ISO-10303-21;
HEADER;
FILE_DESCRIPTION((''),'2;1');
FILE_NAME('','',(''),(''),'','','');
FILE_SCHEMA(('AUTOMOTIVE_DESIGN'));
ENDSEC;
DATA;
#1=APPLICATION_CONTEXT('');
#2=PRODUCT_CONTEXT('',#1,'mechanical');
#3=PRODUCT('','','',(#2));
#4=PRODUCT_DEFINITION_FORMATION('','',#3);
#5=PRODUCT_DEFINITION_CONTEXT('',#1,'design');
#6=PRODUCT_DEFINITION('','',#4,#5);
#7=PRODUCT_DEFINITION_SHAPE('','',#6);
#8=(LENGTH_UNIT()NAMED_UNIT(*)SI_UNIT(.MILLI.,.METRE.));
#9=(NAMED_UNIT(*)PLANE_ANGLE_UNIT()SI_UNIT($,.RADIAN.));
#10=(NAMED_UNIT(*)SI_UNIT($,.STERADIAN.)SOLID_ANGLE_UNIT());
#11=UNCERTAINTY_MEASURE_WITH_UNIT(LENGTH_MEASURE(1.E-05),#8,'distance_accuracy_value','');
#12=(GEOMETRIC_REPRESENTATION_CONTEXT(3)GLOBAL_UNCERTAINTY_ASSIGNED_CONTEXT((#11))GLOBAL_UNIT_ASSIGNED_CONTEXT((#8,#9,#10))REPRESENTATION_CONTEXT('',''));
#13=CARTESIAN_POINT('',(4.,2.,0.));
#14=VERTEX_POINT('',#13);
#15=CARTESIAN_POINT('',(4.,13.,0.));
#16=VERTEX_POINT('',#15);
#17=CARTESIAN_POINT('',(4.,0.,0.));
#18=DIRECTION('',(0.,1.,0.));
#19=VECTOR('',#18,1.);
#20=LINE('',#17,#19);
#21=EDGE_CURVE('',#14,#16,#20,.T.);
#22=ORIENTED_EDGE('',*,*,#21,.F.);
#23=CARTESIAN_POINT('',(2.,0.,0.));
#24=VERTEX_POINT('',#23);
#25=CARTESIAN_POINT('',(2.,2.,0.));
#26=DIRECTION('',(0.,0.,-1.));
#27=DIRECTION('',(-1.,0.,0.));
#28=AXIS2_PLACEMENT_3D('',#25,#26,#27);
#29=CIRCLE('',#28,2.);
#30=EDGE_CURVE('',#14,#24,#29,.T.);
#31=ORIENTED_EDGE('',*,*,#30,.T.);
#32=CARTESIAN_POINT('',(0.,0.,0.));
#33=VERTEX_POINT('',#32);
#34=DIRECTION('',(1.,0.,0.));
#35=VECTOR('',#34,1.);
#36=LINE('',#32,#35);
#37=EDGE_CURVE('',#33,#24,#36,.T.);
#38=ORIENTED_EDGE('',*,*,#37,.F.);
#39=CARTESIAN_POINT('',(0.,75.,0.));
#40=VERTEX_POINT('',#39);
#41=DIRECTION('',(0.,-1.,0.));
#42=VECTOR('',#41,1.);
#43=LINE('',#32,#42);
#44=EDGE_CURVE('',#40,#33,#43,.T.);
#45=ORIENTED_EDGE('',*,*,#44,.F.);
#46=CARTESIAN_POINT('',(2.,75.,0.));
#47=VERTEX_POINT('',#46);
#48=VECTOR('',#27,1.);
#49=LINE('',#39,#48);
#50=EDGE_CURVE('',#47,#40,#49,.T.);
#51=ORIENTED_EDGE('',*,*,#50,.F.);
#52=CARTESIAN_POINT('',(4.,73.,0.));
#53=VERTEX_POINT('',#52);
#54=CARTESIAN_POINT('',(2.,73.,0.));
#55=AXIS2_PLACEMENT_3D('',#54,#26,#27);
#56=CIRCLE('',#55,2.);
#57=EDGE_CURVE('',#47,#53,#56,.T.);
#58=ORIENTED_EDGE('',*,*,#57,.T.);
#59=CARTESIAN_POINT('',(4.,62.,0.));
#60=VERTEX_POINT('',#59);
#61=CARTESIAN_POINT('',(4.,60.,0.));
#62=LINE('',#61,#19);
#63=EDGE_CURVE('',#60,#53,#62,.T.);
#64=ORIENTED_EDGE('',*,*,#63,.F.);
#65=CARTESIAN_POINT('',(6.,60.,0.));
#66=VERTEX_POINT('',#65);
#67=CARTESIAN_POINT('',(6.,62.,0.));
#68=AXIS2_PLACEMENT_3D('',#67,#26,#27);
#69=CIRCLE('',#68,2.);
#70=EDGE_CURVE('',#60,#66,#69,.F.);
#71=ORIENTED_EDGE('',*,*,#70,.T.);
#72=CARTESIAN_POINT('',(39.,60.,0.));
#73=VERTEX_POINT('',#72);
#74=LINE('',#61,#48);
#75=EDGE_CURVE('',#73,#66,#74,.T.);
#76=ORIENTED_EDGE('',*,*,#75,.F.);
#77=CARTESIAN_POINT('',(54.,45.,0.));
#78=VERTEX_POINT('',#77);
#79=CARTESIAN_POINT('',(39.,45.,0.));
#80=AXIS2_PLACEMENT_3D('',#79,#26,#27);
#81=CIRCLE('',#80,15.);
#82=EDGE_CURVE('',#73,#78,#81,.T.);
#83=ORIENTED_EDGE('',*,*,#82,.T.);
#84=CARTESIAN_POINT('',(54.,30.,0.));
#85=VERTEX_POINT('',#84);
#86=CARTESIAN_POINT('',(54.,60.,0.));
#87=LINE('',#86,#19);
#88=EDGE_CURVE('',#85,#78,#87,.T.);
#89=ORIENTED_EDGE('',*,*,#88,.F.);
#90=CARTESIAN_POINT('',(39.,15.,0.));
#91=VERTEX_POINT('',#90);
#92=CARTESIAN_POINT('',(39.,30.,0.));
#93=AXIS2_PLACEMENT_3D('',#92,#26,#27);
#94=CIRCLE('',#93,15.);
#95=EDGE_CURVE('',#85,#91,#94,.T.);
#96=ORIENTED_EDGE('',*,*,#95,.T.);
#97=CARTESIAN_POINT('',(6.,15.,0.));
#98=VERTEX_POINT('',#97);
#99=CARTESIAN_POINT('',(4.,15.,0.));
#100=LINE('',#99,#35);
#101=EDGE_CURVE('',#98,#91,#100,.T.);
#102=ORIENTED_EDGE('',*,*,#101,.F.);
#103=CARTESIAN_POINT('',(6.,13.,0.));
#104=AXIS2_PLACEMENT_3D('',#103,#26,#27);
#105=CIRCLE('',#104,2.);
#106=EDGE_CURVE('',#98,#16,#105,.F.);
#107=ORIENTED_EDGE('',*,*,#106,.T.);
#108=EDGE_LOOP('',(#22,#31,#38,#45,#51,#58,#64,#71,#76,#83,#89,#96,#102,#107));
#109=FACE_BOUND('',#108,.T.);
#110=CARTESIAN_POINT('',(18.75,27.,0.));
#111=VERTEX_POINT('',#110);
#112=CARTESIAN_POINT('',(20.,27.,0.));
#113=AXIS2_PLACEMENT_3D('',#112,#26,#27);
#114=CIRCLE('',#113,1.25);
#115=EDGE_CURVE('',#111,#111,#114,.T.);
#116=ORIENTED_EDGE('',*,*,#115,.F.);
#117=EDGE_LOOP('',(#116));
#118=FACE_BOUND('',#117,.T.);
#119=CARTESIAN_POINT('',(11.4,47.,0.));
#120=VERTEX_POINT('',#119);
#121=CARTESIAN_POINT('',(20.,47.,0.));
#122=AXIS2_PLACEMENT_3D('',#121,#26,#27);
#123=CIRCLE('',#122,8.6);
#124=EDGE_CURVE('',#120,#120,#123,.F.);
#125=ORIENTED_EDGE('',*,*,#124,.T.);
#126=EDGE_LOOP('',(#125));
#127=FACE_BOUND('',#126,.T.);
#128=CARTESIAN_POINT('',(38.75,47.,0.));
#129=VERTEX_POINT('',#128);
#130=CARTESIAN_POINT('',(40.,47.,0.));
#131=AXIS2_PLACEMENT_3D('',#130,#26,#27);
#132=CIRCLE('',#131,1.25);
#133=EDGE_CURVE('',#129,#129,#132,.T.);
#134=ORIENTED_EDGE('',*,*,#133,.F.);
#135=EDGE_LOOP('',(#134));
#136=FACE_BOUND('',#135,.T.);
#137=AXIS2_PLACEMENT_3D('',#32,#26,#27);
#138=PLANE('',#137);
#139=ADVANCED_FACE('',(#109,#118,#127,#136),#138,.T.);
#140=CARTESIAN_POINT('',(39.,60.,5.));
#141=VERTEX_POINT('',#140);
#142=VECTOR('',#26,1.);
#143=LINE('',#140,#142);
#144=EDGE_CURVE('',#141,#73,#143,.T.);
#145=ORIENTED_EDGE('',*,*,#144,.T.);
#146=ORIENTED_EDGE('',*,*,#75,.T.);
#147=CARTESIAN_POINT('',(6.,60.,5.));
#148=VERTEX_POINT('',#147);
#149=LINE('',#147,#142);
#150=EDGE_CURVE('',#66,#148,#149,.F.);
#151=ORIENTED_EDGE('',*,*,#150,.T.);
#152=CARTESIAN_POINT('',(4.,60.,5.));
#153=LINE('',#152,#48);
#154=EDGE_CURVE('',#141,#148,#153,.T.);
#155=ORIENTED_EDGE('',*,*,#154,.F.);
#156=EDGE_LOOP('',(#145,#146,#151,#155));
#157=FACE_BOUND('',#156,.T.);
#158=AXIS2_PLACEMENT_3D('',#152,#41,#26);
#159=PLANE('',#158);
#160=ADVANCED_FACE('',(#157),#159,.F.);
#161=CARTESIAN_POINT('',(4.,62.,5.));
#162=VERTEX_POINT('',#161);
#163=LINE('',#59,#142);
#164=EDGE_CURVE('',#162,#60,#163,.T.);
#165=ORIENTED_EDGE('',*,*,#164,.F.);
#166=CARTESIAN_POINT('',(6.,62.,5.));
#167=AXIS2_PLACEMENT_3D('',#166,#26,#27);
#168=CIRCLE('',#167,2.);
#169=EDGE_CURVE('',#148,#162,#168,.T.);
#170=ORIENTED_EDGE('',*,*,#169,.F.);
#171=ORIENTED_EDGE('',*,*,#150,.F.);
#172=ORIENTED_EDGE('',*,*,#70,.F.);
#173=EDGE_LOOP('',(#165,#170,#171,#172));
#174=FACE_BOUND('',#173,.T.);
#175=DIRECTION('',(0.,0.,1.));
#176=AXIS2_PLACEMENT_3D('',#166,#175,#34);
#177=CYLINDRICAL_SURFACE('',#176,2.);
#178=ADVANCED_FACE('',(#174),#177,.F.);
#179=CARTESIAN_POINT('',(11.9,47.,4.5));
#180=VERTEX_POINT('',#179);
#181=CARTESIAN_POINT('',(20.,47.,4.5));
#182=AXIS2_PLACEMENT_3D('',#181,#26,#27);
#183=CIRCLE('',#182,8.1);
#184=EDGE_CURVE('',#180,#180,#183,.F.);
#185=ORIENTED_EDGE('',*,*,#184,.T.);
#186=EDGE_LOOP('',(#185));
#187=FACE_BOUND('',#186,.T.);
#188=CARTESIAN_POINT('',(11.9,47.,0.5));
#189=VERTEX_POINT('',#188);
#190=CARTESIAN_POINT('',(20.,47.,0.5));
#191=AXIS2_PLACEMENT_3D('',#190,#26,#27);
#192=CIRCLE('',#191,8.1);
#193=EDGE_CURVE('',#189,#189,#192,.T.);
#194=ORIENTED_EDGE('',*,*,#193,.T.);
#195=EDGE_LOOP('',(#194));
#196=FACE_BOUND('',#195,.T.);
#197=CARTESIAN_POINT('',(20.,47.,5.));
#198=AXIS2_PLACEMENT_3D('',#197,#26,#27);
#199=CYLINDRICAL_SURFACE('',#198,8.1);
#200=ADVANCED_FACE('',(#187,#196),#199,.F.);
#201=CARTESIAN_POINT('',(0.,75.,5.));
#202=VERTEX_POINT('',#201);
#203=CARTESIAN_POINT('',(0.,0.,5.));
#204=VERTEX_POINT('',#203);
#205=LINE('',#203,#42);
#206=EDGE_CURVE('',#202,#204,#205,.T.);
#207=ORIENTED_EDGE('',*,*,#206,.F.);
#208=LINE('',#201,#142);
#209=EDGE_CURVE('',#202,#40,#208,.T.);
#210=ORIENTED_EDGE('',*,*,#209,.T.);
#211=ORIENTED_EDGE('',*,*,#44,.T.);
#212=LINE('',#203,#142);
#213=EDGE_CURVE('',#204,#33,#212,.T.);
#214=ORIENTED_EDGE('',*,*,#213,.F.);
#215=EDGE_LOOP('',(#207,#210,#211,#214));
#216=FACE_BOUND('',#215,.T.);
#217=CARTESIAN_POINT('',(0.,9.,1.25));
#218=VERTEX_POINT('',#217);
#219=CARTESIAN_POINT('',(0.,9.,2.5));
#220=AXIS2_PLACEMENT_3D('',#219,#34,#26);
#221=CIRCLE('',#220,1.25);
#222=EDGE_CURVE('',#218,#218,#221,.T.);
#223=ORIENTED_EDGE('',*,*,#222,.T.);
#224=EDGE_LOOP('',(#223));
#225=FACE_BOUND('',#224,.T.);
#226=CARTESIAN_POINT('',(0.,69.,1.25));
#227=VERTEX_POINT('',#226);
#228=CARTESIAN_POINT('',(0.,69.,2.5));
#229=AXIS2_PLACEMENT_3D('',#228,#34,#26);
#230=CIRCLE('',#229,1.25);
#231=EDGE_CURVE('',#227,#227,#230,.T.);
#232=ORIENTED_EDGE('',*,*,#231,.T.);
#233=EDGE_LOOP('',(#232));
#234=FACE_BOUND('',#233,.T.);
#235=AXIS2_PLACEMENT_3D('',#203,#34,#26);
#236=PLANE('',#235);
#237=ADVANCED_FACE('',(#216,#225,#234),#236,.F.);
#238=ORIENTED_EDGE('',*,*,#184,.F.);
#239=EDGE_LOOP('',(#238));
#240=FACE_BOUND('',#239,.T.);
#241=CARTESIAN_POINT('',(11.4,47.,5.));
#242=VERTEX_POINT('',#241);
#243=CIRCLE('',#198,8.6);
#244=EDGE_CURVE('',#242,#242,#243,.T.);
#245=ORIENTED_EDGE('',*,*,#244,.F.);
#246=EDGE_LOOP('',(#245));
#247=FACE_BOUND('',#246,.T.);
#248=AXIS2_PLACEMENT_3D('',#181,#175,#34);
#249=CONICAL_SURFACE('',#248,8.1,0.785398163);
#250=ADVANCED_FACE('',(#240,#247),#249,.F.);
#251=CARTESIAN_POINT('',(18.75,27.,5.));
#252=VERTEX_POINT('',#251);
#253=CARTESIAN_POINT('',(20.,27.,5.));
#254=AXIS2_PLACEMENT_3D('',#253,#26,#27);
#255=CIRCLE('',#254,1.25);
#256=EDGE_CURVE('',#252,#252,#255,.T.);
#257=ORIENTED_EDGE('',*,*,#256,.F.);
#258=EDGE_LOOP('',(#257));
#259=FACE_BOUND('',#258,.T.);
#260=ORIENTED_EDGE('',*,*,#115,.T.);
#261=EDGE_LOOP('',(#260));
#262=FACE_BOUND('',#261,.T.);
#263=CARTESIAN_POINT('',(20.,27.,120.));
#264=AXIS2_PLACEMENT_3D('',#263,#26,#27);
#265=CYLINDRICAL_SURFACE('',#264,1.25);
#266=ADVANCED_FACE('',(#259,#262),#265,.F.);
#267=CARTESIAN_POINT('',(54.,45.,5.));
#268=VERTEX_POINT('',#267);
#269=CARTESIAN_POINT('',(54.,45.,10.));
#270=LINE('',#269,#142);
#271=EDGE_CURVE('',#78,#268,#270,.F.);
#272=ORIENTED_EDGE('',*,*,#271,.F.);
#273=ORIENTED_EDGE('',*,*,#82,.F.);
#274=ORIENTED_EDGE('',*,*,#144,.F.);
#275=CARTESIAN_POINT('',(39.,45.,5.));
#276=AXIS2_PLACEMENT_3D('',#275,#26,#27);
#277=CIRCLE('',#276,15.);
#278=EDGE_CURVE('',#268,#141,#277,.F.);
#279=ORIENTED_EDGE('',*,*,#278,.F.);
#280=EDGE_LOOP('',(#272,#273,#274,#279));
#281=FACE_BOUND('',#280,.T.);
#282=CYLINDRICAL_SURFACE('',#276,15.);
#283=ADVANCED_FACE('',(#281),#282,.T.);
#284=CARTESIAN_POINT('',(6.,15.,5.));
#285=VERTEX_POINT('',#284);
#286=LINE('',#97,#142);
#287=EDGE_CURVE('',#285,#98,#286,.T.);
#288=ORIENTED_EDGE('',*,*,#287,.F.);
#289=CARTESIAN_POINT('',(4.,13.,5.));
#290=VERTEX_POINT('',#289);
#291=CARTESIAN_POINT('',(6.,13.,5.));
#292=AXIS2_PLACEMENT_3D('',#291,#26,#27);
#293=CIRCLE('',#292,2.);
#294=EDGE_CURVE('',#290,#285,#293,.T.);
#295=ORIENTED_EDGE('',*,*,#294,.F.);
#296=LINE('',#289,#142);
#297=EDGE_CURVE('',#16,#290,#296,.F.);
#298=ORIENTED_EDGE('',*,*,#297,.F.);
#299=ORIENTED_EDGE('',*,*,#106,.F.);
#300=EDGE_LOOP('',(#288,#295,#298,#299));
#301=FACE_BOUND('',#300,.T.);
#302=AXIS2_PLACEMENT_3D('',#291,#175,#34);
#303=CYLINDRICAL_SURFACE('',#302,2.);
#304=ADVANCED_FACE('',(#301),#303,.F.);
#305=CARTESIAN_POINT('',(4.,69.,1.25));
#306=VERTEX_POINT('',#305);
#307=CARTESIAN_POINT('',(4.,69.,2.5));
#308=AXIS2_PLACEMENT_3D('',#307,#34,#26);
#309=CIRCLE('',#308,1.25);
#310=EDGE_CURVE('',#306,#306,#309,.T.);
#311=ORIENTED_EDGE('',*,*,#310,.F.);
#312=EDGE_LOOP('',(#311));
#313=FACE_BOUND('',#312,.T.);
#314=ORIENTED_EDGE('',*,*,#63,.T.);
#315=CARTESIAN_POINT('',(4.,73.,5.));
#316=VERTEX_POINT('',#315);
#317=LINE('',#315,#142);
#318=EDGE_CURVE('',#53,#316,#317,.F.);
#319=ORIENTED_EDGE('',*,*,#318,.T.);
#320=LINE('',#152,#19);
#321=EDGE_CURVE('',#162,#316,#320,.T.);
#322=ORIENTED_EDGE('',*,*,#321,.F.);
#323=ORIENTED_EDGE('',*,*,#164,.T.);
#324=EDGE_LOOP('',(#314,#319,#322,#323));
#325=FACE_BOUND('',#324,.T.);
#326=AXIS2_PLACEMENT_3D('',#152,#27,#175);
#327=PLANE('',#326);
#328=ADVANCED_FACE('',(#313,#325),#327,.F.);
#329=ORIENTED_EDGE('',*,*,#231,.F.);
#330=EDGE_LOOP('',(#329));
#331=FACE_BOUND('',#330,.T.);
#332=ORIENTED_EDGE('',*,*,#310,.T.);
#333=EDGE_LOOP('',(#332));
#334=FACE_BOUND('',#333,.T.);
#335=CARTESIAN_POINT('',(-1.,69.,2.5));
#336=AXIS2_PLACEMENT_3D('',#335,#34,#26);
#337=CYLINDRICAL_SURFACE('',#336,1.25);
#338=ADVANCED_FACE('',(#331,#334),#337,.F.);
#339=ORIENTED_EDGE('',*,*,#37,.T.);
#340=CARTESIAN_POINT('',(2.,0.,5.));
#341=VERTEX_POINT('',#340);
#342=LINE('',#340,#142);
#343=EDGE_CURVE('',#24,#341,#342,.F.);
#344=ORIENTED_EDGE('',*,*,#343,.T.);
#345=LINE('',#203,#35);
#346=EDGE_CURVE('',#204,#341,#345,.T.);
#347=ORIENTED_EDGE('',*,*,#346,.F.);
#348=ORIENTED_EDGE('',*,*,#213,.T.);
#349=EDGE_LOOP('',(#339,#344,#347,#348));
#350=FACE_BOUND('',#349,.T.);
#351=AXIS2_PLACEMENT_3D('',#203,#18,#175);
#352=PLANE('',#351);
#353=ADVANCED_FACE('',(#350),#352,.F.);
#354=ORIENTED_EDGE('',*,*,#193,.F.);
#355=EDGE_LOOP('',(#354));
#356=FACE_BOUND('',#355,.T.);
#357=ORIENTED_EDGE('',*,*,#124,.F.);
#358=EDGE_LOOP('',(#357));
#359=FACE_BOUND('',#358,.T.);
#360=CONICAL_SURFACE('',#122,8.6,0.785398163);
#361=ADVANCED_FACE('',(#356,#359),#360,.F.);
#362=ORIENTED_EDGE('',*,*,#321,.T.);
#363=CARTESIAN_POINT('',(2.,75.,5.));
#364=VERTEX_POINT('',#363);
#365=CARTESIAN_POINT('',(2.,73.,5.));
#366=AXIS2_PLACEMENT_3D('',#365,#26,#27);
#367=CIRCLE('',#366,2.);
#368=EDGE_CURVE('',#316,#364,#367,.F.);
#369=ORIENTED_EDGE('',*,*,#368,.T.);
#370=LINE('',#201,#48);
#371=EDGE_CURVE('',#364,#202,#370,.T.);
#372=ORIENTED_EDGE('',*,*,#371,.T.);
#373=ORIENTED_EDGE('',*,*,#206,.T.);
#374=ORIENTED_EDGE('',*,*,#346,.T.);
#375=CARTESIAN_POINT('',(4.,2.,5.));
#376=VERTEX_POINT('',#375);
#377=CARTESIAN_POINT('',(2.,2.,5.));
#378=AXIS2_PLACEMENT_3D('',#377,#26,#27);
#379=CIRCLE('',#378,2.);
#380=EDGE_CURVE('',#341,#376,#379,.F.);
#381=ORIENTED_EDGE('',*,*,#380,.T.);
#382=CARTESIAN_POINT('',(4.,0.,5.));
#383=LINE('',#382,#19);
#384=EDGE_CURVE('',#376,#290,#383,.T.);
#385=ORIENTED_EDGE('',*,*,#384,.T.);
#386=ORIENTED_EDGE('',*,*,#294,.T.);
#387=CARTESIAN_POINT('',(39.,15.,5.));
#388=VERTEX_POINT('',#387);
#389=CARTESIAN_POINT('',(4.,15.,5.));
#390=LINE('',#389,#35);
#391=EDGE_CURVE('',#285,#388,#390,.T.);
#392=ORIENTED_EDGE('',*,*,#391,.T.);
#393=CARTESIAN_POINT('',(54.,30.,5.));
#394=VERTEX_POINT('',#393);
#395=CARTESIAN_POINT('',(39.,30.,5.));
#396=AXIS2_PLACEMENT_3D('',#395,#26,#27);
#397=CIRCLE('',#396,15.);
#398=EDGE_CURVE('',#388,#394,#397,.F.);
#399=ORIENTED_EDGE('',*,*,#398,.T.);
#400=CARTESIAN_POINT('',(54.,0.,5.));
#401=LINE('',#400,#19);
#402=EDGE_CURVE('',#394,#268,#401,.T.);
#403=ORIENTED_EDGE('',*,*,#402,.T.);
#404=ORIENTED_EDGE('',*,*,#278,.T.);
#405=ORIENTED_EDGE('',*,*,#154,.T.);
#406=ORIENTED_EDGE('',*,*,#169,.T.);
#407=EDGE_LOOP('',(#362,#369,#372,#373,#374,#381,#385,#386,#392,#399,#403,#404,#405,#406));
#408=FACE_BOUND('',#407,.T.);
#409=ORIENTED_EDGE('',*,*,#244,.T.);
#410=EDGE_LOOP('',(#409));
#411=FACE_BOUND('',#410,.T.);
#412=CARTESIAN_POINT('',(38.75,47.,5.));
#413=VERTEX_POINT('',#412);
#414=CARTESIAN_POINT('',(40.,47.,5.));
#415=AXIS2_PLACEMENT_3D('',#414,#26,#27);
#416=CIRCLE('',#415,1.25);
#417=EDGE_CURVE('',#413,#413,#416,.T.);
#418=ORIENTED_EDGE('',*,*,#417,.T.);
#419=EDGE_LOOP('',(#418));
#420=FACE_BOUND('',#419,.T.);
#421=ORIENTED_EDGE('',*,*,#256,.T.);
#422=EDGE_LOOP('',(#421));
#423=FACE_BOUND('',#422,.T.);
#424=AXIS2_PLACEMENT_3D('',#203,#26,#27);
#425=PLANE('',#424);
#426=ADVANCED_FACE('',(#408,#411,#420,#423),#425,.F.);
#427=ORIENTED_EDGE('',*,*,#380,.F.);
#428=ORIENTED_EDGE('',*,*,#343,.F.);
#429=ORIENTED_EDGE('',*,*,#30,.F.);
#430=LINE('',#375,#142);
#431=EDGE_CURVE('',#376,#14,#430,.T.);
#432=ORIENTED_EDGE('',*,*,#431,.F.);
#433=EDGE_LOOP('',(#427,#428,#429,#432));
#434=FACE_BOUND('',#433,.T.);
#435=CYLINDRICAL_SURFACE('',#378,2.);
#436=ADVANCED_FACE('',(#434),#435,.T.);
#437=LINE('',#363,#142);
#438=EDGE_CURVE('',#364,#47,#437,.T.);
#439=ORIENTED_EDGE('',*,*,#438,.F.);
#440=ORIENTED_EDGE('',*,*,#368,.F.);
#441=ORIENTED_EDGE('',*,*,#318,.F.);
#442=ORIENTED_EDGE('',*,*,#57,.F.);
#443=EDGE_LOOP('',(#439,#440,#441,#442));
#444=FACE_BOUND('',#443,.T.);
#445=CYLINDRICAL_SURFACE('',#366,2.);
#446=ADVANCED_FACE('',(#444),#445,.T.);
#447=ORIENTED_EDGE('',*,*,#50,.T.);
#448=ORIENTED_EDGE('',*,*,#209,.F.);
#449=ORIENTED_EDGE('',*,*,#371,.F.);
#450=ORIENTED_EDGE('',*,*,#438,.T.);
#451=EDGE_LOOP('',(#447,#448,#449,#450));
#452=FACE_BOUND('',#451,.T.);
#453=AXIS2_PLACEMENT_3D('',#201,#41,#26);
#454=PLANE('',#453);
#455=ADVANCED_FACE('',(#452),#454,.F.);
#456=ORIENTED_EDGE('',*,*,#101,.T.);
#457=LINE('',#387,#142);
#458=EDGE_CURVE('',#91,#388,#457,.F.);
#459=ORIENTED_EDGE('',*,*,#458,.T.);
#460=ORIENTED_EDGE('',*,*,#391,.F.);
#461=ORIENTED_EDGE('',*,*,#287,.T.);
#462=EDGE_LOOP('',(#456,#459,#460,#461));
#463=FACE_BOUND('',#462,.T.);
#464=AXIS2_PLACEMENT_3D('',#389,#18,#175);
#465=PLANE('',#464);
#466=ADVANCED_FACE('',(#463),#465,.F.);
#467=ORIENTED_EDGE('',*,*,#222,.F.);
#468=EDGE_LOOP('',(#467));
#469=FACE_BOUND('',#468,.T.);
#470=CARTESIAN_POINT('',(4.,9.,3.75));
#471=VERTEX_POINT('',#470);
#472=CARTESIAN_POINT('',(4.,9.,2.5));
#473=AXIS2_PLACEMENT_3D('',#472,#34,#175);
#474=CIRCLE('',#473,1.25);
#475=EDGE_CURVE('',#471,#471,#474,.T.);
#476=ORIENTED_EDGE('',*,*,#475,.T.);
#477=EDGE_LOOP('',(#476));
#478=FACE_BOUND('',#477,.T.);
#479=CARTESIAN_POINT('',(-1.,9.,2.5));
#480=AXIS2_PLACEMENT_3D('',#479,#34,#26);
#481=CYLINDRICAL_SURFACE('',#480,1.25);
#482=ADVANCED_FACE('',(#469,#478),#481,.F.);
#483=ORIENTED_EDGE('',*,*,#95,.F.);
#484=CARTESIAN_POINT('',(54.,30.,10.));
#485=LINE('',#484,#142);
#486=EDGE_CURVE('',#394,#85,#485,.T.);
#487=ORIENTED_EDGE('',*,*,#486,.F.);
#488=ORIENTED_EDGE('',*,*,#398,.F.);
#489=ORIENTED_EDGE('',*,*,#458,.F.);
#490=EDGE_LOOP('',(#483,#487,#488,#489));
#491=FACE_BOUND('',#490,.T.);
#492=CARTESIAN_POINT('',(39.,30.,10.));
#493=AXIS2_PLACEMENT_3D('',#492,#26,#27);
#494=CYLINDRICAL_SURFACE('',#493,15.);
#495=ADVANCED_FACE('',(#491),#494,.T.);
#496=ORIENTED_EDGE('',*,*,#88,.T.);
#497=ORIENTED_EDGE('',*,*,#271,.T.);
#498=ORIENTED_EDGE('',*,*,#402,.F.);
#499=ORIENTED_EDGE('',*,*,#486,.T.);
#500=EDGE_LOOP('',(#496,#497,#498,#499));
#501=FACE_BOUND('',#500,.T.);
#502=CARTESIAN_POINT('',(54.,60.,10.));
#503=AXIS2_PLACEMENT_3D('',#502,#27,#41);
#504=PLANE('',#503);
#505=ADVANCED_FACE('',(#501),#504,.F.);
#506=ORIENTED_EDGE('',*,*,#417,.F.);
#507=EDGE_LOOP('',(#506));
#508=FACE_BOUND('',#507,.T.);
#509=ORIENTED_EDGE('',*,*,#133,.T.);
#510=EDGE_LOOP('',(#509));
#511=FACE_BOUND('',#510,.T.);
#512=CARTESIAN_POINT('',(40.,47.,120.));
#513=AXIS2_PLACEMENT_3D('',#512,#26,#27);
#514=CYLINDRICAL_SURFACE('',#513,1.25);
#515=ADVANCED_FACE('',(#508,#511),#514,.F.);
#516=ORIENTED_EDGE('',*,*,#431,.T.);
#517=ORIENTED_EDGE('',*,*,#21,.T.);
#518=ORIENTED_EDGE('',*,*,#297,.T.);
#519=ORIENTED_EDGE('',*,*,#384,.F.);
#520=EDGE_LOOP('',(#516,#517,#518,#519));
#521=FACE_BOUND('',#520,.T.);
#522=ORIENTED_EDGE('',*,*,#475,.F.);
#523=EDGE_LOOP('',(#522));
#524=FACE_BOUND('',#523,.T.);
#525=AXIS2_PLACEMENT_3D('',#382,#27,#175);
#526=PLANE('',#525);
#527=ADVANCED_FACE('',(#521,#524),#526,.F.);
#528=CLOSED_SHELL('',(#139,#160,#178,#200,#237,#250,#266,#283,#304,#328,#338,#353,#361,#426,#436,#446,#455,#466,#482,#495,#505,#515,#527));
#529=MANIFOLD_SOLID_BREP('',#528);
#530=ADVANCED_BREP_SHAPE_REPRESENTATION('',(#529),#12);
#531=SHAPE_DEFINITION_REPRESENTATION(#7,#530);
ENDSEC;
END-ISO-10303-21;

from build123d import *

# Parameters (mm, degrees)
SKETCH_1_R          = 8.1
EXTRUDE_1_DEPTH     = 5
SKETCH_2_R          = 1.25
CUT_EXTRUDE_1_DEPTH = 5
SKETCH_3_R          = 1.25
CUT_EXTRUDE_2_DEPTH = 120
CHAMFER_1_SIZE      = 0.5
SKETCH_4_W          = 16
SKETCH_4_H          = 45
CUT_EXTRUDE_3_DEPTH = 10
FILLET_1_R          = 2
FILLET_2_R          = 15


with BuildPart() as part:
    # 草图1 → 凸台-拉伸1 (new body)
    with BuildSketch(Plane.XY):
        Polygon((4, 60), (4, 75), (0, 75), (0, 0), (4, 0), (4, 15), (70, 15), (70, 60), align=None)
        with Locations((20, 47)):
            Circle(SKETCH_1_R, mode=Mode.SUBTRACT)
    extrude(amount=EXTRUDE_1_DEPTH)

    # 草图2 → 切除-拉伸1 (cut)
    with BuildSketch(Plane(origin=(4, 0, 0), x_dir=(0, 0, -1), z_dir=(1, 0, 0))):
        with Locations((-2.5, 69)):
            Circle(SKETCH_2_R)
        with Locations((-2.5, 9)):
            Circle(SKETCH_2_R)
    extrude(amount=-CUT_EXTRUDE_1_DEPTH, mode=Mode.SUBTRACT)

    # 草图3 → 切除-拉伸2 (cut)
    with BuildSketch(Plane(origin=(0, 0, 0), x_dir=(-1, 0, 0), z_dir=(0, 0, -1))):
        with Locations((-40, 47)):
            Circle(SKETCH_3_R)
        with Locations((-20, 27)):
            Circle(SKETCH_3_R)
    extrude(amount=-CUT_EXTRUDE_2_DEPTH, mode=Mode.SUBTRACT)

    # 倒角1
    chamfer_1_edges = [part.edges().sort_by_distance(p)[0] for p in [
        (11.9, 47, 0),
        (11.9, 47, 5),
    ]]
    chamfer(chamfer_1_edges, length=CHAMFER_1_SIZE)

    # 草图4 → 切除-拉伸3 (cut)
    with BuildSketch(Plane(origin=(0, 0, 0), x_dir=(-1, 0, 0), z_dir=(0, 0, -1))):
        with Locations((-62, 37.5)):
            Rectangle(SKETCH_4_W, SKETCH_4_H)
    extrude(amount=-CUT_EXTRUDE_3_DEPTH, mode=Mode.SUBTRACT)

    # 圆角1
    fillet_1_edges = [part.edges().sort_by_distance(p)[0] for p in [
        (4, 75, 2.5),
        (4, 60, 2.5),
        (4, 15, 2.5),
        (4, 0, 2.5),
    ]]
    fillet(fillet_1_edges, radius=FILLET_1_R)

    # 圆角2
    fillet_2_edges = [part.edges().sort_by_distance(p)[0] for p in [
        (54, 60, 2.5),
        (54, 15, 2.5),
    ]]
    fillet(fillet_2_edges, radius=FILLET_2_R)


solid = part.part
